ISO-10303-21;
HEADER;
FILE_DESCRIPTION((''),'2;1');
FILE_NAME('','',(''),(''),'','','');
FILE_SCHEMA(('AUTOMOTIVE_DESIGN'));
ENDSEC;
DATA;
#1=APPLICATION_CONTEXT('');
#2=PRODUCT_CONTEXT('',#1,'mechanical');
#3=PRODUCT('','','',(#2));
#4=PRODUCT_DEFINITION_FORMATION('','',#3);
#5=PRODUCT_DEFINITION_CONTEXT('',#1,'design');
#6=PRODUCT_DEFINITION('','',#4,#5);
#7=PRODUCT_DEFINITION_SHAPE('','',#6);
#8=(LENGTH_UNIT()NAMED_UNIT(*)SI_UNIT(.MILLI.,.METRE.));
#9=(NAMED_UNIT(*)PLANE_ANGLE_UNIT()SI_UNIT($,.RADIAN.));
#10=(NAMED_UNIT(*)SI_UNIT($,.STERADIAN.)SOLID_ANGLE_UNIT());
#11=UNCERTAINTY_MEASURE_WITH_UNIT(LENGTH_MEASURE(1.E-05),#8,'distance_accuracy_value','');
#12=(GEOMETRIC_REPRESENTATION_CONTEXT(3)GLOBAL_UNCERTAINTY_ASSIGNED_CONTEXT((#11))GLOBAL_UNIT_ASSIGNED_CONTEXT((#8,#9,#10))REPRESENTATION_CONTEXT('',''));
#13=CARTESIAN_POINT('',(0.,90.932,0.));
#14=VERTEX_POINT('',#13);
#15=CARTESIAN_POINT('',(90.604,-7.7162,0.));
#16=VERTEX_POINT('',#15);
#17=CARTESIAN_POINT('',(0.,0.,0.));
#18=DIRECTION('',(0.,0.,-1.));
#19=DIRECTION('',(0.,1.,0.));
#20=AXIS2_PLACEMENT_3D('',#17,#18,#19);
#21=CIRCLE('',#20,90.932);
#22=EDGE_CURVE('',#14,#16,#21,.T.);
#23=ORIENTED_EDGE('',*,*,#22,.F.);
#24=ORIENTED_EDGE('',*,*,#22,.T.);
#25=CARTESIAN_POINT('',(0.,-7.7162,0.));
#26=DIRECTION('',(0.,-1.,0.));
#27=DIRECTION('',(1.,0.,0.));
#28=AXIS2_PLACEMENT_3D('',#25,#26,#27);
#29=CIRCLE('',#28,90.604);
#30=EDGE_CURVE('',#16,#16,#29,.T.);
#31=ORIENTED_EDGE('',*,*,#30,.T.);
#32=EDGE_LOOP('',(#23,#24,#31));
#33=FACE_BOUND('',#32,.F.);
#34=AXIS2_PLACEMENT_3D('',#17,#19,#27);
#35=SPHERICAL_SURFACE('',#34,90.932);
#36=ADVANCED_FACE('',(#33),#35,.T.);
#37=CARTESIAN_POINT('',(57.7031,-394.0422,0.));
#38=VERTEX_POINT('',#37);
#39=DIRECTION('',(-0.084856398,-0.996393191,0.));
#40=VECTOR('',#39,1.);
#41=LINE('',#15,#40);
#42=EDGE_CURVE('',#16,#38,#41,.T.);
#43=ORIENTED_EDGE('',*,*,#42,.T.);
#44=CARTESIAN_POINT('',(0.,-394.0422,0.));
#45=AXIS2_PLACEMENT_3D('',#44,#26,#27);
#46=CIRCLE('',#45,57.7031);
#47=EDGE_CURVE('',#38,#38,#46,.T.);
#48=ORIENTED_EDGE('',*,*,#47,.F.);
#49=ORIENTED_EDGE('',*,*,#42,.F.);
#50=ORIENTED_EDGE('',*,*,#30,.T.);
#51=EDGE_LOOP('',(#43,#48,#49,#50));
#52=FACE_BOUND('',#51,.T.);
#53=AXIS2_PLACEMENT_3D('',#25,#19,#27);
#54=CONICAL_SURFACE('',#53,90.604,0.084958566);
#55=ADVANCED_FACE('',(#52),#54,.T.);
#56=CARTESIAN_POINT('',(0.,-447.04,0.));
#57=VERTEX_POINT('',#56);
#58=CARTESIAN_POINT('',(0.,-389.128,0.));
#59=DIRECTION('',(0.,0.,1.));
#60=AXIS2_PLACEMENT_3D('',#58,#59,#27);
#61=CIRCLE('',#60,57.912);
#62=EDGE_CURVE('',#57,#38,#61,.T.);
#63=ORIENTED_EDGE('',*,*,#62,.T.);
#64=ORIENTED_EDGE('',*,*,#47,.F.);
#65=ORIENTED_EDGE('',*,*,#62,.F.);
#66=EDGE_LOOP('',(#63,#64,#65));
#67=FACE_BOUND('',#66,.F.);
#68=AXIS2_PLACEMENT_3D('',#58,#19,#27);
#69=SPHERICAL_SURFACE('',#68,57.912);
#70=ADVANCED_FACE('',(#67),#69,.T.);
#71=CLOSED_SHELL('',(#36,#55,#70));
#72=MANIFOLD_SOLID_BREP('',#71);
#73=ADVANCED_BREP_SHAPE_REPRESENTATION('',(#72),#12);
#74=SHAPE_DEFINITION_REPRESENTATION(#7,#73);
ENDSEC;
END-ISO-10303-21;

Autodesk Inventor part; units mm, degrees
ref_plane "YZ Plane" through (0, 0, 0) normal (1, 0, 0) x (0, 1, 0)
ref_plane "XZ Plane" through (0, 0, 0) normal (0, 1, 0) x (-1, 0, 0)
ref_plane "XY Plane" through (0, 0, 0) normal (0, 0, 1) x (1, 0, 0)
sketch "Sketch1" plane through (0, 0, 0) normal (0, 0, 1) x (1, 0, 0)
  circle A0 centre (0, 0) radius 90.932
  circle A1 centre (0, -389.128) radius 57.912
  line L0 (0, 90.932) -> (0, -447.04)
  line L1 (90.604, -7.7162) -> (57.7031, -394.0422)
  dimension "d16" = 389.128
  dimension "d17" = 181.864
  dimension "d18" = 115.824
revolve "Revolution1" add sketch "Sketch1" angle 360 about axis through (0, 90.932, 0) along (0, -1, 0) picked at (29.0829, 8.5395) picked at (12.4084, -374.3403) contours A0 L0 | L1 A1 L0 A0 | A1 L0
equation "\"d16\" = PELVIS_TO_KNEE"
equation "\"d17\" = LEG_TOP_THK"
equation "\"d18\" = KNEE_THK"
equation "\"PELVIS_TO_KNEE\" = 389.128"
equation "\"LEG_TOP_THK\" = 181.864"
equation "\"KNEE_THK\" = 115.824"
properties part number "3D HUMAN"
